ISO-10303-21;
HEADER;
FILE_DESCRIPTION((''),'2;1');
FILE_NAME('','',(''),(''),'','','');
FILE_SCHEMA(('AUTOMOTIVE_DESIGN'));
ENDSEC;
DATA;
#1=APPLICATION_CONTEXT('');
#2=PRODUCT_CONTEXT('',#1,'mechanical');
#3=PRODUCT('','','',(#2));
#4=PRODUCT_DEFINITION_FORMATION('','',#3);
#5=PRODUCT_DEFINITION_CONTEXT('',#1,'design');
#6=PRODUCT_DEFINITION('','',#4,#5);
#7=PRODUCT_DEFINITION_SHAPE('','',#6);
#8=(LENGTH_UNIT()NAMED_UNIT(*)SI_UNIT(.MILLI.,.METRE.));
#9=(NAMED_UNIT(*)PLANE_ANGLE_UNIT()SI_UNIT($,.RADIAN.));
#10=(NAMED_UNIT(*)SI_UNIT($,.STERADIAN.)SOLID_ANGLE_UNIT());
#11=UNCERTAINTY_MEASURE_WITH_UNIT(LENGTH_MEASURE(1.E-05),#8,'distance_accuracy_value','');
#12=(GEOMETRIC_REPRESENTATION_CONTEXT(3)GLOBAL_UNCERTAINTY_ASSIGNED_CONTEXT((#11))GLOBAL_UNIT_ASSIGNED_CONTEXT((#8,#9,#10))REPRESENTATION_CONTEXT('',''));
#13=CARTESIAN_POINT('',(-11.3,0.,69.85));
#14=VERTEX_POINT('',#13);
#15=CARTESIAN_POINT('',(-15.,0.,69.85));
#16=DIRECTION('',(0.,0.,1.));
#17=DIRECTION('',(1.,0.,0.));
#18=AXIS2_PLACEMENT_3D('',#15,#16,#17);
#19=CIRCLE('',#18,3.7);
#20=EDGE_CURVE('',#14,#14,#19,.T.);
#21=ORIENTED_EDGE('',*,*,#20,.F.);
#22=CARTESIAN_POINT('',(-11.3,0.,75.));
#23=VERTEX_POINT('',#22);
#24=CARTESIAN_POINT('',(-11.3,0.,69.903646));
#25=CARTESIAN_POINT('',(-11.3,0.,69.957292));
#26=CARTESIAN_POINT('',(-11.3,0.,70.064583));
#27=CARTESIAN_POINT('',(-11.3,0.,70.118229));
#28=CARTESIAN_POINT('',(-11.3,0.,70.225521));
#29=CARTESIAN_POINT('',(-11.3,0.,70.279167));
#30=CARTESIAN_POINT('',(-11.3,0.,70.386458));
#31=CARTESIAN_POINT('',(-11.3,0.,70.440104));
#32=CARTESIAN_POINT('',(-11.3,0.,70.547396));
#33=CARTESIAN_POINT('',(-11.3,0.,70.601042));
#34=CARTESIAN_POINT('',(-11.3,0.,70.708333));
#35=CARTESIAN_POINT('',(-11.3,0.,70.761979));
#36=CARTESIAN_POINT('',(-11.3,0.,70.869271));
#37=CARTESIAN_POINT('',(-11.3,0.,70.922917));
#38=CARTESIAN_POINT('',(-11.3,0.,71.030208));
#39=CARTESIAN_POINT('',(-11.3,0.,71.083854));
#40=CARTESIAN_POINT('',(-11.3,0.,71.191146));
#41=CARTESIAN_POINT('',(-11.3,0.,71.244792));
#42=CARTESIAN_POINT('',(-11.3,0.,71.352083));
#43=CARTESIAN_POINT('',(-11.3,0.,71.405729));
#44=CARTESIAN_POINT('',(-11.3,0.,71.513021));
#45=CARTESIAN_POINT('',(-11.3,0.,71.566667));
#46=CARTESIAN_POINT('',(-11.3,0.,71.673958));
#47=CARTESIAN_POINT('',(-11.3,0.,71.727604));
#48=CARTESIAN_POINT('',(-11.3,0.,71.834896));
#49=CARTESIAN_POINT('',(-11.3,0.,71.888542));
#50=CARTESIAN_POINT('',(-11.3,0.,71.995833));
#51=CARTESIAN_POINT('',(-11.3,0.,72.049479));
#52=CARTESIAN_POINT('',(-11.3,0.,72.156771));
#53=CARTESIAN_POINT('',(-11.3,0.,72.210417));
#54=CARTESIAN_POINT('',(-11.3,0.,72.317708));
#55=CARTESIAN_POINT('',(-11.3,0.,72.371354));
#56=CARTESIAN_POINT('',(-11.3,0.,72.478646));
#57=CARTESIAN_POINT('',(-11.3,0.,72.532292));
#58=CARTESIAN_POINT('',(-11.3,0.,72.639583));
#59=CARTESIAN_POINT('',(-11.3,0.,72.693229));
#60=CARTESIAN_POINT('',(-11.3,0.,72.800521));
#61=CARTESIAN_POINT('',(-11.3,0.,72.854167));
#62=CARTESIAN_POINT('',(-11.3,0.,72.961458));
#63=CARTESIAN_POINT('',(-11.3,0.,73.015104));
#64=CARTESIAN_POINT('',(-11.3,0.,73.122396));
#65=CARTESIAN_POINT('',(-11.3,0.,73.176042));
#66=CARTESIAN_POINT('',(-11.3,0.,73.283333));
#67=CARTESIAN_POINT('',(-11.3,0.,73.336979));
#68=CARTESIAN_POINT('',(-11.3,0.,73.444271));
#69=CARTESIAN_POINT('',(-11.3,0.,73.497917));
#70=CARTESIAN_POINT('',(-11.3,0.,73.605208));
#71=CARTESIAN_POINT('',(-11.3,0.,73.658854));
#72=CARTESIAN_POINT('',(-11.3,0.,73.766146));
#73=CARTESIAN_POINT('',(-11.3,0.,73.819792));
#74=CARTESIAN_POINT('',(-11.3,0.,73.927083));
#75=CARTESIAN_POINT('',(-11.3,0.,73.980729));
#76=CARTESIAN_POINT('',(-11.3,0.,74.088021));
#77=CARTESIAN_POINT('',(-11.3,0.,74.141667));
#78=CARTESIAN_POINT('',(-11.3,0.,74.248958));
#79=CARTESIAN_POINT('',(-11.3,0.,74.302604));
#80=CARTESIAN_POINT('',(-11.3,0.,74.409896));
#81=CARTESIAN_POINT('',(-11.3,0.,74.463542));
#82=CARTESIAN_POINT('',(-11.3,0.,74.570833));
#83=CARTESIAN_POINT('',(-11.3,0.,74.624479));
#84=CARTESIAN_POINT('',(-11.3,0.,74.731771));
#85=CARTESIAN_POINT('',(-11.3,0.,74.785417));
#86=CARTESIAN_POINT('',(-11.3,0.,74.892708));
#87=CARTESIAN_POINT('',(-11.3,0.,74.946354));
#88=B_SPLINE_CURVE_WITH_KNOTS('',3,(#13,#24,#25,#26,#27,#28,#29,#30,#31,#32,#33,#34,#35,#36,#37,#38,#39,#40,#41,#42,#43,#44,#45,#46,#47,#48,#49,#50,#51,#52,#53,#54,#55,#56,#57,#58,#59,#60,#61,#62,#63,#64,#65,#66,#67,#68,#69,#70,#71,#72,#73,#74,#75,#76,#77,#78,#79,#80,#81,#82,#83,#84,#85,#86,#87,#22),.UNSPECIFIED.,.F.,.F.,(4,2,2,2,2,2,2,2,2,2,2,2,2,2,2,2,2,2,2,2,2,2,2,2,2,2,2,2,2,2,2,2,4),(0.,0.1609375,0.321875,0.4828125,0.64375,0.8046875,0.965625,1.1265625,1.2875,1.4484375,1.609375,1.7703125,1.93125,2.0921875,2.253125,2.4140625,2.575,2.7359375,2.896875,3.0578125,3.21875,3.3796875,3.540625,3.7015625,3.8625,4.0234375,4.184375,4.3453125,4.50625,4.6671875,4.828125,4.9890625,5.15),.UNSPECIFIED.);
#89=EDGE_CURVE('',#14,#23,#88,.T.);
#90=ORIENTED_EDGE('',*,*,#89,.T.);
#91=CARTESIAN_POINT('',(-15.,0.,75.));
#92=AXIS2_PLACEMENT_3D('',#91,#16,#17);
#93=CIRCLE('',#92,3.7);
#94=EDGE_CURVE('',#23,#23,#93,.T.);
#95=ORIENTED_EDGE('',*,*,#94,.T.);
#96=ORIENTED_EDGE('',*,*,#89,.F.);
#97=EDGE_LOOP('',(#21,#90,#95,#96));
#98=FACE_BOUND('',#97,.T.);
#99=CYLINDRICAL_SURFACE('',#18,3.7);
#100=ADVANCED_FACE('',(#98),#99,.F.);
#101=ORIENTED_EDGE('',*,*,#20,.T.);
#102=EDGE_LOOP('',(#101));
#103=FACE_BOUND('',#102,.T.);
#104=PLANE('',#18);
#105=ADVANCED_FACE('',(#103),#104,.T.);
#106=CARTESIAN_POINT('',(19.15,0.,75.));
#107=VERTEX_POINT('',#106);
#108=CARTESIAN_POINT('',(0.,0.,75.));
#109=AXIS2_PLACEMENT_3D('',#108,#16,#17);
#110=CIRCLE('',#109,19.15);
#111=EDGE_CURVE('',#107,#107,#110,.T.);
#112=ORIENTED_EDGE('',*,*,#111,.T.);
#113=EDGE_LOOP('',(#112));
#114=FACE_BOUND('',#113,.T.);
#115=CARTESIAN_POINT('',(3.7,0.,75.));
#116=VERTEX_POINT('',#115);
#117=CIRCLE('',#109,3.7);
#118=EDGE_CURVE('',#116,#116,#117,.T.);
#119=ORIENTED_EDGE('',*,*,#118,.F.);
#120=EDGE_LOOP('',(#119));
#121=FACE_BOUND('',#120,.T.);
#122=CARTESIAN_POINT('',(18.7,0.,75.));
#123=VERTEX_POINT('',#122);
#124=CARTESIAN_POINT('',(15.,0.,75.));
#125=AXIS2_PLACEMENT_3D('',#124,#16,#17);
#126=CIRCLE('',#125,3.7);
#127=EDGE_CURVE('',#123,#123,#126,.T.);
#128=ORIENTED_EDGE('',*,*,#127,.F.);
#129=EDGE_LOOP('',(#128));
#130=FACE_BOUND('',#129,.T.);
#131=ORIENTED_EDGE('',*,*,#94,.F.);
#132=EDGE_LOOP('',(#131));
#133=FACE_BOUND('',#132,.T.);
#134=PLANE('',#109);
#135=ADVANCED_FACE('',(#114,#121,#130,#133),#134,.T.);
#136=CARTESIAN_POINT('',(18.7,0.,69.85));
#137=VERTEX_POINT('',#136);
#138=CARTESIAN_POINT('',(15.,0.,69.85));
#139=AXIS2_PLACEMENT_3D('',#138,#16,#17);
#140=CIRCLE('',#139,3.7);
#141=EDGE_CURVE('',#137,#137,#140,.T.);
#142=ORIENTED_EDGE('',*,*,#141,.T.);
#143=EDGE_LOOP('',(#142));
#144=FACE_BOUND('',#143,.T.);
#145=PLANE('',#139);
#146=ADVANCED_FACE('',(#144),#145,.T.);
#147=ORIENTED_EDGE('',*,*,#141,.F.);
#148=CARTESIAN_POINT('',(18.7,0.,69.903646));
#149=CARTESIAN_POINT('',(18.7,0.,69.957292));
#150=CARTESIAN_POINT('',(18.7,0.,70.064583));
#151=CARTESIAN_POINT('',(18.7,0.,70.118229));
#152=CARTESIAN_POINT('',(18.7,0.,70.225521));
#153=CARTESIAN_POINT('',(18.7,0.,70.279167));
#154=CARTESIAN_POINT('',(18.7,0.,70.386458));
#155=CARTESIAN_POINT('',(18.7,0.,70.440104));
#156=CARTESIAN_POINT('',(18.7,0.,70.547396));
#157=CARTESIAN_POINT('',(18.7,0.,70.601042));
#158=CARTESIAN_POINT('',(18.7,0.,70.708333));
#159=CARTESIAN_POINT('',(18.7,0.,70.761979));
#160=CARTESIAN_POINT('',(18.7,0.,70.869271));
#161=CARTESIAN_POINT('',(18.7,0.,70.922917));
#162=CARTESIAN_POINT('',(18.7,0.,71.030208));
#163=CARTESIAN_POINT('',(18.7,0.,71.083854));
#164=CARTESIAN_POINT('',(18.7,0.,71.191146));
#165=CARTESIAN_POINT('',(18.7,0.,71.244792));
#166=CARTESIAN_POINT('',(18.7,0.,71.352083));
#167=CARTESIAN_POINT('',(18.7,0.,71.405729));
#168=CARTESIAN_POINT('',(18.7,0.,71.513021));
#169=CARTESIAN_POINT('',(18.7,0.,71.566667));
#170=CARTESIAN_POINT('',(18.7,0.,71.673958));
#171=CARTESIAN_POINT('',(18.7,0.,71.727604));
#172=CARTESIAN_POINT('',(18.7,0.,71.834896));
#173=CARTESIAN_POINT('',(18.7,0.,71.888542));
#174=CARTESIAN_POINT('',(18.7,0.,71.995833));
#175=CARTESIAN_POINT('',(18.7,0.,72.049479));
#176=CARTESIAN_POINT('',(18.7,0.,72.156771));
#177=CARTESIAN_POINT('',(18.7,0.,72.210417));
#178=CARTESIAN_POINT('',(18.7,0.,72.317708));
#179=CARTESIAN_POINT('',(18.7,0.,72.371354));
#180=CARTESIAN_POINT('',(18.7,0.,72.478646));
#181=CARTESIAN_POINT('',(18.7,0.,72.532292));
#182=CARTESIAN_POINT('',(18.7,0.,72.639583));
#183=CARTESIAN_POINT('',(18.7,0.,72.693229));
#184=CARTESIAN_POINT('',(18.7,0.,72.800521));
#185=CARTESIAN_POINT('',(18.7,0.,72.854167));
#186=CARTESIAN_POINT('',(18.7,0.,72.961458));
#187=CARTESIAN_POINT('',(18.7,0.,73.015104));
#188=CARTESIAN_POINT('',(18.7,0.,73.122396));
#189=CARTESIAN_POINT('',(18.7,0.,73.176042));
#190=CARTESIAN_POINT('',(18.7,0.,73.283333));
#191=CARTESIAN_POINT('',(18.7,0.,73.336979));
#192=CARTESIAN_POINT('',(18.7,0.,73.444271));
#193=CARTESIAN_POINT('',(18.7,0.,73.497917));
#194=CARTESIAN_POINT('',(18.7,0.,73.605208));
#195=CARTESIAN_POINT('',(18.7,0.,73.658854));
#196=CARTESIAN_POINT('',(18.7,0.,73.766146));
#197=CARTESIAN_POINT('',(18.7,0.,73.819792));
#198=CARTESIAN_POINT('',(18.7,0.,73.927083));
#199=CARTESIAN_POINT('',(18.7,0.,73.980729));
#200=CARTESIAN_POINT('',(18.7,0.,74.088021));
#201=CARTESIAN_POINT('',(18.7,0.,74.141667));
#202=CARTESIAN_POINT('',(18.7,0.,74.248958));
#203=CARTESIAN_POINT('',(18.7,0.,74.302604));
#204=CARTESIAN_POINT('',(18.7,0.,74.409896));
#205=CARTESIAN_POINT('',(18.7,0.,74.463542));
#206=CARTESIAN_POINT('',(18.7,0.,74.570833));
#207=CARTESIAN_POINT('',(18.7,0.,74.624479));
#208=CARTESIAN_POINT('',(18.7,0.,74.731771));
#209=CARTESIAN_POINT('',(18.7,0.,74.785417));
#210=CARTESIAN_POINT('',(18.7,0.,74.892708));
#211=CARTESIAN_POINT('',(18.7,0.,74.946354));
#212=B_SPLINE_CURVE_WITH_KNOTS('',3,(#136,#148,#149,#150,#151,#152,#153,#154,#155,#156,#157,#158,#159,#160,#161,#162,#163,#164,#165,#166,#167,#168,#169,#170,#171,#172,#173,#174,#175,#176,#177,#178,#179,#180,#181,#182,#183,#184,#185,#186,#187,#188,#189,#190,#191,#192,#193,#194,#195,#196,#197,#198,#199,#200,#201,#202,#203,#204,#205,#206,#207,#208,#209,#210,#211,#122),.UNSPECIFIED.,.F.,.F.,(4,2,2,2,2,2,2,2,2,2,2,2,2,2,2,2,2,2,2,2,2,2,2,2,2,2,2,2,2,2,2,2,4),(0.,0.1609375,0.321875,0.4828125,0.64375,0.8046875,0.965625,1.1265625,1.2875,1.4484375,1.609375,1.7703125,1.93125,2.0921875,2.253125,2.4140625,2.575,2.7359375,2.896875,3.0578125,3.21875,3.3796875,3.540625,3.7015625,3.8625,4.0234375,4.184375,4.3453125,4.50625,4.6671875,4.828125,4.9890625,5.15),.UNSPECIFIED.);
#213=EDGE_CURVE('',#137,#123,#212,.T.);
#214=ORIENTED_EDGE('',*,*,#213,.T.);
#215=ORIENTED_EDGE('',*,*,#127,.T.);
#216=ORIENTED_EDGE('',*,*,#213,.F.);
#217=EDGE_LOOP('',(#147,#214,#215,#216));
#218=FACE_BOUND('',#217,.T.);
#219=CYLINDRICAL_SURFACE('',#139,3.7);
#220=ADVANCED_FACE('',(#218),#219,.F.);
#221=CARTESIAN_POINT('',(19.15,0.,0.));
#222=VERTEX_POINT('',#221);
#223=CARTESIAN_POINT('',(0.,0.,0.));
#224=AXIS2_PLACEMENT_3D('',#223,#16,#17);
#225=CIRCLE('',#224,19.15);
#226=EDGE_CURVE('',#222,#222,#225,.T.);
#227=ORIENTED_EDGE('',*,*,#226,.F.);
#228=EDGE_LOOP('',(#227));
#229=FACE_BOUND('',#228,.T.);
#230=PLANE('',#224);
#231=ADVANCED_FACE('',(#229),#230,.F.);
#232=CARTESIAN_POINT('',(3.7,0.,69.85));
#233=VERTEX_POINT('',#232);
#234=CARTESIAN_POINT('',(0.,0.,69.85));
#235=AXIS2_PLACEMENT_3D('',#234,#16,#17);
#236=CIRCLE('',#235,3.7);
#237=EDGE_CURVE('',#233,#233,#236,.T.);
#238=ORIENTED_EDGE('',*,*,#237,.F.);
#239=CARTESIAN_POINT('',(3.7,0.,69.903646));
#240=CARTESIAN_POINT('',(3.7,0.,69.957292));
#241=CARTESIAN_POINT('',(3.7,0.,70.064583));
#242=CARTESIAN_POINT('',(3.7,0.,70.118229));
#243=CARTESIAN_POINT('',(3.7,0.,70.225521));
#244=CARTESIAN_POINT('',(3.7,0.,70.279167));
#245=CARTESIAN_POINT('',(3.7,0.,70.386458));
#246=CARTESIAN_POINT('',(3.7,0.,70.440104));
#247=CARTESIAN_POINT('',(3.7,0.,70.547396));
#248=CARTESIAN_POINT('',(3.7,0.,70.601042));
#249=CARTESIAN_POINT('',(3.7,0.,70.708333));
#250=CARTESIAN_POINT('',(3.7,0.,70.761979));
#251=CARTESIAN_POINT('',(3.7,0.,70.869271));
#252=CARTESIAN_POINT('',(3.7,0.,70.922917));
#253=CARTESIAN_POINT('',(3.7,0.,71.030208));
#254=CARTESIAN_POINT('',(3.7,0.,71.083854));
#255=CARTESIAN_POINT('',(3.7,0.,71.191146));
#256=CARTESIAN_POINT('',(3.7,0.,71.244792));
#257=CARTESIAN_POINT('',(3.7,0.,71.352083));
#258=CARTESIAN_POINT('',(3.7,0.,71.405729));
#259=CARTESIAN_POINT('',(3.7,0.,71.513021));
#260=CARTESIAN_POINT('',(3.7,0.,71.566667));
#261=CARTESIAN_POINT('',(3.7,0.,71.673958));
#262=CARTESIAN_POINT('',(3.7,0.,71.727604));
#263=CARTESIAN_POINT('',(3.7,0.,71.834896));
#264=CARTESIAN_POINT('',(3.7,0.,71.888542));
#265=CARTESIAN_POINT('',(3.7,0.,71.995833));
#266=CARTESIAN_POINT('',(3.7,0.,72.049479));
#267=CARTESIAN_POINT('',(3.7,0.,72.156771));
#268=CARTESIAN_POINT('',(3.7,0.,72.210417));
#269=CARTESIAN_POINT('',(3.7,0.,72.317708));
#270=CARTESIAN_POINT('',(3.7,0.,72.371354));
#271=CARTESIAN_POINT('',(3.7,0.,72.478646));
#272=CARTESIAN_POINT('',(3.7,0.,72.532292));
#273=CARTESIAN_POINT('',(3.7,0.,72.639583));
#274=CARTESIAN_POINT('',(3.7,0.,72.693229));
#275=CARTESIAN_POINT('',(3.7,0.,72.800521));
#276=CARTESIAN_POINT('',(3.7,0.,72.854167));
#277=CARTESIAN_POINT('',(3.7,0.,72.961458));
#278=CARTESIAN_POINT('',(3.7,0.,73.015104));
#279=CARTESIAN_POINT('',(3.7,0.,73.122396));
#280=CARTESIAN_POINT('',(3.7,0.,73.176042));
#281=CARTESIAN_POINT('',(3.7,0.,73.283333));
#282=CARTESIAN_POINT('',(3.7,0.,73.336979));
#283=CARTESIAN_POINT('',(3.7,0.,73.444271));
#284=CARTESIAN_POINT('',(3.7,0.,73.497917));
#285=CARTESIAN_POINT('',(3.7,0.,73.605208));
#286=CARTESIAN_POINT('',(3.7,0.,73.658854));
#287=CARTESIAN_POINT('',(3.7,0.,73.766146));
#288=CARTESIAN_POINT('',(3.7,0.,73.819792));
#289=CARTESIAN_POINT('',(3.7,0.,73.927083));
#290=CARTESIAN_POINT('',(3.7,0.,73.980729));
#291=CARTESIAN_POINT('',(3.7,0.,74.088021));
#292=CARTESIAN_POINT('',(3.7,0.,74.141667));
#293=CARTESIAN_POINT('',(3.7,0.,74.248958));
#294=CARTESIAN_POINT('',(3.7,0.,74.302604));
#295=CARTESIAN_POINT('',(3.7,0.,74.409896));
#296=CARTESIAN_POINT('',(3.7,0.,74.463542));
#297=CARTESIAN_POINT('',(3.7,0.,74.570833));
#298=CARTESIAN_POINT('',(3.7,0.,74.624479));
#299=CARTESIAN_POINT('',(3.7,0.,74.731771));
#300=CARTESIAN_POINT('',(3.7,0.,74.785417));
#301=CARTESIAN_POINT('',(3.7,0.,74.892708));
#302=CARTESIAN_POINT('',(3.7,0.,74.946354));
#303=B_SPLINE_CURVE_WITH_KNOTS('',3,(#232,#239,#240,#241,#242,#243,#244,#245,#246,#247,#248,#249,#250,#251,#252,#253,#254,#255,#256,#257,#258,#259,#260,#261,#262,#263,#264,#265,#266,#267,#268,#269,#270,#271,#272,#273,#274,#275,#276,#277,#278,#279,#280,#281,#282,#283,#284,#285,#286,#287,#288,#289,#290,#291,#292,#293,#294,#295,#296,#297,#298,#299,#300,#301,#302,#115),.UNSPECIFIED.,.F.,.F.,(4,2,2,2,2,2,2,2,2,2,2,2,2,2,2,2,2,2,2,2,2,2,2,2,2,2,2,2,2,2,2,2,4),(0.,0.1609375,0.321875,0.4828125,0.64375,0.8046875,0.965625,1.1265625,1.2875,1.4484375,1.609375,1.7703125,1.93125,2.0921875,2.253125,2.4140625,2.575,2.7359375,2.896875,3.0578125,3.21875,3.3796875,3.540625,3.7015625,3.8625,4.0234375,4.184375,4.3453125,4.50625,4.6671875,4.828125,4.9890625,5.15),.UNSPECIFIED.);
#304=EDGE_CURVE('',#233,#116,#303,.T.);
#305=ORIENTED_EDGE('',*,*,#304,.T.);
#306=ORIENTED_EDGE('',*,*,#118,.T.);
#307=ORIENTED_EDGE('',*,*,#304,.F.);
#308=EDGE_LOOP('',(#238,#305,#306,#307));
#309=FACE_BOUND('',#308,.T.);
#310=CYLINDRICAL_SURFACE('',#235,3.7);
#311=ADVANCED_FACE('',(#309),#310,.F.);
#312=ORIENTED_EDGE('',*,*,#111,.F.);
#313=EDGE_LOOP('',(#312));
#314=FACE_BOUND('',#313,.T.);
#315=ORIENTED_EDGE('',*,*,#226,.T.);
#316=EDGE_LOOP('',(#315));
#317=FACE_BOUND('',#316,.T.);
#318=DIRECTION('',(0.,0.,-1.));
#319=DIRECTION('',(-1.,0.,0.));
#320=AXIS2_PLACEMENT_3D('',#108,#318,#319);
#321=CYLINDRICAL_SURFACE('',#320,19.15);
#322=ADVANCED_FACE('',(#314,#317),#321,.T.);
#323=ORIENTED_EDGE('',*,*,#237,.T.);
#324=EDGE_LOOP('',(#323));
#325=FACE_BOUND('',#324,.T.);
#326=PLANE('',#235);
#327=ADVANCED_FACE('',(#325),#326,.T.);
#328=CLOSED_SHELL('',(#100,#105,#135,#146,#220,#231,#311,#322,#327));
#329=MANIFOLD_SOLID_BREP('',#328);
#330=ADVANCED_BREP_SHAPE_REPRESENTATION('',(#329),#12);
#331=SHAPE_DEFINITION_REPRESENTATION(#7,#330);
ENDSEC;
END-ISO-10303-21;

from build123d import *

# Parameters (mm, degrees)
SKETCH6_R           = 19.15
BOSS_EXTRUDE3_DEPTH = 75
SKETCH9_R           = 3.7
CUT_EXTRUDE2_DEPTH  = 5.15


with BuildPart() as part:
    # Sketch6 → Boss-Extrude3 (new body)
    with BuildSketch(Plane.XY):
        Circle(SKETCH6_R)
    extrude(amount=BOSS_EXTRUDE3_DEPTH)

    # Sketch9 → Cut-Extrude2 (cut)
    with BuildSketch(Plane.XY.offset(75)):
        Circle(SKETCH9_R)
        with Locations((-15, 0)):
            Circle(SKETCH9_R)
        with Locations((15, 0)):
            Circle(SKETCH9_R)
    extrude(amount=-CUT_EXTRUDE2_DEPTH, mode=Mode.SUBTRACT)


solid = part.part
